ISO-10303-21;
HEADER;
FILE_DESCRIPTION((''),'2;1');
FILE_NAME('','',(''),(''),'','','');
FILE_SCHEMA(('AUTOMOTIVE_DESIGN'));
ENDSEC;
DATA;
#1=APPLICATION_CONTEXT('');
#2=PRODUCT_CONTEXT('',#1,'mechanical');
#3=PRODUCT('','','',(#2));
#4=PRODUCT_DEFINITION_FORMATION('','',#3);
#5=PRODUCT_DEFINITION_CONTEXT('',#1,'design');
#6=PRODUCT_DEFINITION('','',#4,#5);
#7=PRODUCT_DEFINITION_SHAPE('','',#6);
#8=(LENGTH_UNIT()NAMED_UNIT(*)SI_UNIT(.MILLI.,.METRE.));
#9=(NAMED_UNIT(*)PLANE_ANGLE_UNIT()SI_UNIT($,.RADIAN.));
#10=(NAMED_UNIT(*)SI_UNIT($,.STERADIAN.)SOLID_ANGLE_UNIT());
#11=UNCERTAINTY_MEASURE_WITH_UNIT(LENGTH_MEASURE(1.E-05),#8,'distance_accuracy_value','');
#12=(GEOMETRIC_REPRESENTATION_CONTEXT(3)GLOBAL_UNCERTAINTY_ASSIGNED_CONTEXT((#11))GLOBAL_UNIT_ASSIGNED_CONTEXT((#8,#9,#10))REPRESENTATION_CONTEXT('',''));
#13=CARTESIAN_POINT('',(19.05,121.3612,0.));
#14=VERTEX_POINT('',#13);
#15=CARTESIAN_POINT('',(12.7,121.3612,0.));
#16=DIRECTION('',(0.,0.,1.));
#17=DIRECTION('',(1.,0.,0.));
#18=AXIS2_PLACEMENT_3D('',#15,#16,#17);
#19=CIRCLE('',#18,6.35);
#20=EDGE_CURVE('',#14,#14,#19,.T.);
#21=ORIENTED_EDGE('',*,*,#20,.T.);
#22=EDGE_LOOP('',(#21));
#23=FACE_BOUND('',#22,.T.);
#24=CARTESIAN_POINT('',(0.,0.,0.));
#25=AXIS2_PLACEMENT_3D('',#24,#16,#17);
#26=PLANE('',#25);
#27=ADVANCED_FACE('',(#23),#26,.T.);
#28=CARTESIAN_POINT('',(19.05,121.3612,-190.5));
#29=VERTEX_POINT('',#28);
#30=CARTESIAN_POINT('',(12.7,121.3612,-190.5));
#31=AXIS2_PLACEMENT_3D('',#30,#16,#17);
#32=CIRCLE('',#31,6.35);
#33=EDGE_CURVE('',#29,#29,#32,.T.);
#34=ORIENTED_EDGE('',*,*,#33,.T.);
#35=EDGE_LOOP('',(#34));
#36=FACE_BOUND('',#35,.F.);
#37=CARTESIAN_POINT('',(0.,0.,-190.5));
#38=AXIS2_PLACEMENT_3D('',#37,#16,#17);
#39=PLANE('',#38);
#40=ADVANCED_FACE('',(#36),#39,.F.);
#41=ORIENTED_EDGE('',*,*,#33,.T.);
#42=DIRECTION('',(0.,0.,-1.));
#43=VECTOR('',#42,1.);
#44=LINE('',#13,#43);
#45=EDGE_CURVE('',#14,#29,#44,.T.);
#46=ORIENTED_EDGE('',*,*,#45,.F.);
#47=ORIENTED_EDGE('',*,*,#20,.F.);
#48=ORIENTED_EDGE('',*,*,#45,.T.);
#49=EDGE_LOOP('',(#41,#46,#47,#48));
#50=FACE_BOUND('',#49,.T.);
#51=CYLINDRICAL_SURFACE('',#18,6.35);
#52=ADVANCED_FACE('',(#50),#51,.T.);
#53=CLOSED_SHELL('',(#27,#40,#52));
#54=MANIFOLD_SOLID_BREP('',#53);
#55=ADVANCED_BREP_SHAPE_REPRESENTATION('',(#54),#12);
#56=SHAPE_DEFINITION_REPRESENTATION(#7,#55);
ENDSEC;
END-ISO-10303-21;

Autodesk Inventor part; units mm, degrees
ref_plane "YZ Plane" through (0, 0, 0) normal (1, 0, 0) x (0, 1, 0)
ref_plane "XZ Plane" through (0, 0, 0) normal (0, 1, 0) x (-1, 0, 0)
ref_plane "Work Plane1" through (0, 0, 0) normal (0, 0, 1) x (1, 0, 0)
sketch "Sketch1" plane through (0, 0, 0) normal (0, 0, 1) x (1, 0, 0)
  circle A0 centre (12.7, 121.3612) radius 6.35
  circle A1 centre (12.7, 121.3612) radius 6.35
  point P0 (0, 0)
ref_plane "Work Plane2" through (-239.4312, 84.6776, -190.5) normal (0, 0, 1) x (1, 0, 0)
extrude "Extrusion1" add sketch "Sketch1" against normal up to surface (190.5 mm away)
properties part number "Pulley shaft"
